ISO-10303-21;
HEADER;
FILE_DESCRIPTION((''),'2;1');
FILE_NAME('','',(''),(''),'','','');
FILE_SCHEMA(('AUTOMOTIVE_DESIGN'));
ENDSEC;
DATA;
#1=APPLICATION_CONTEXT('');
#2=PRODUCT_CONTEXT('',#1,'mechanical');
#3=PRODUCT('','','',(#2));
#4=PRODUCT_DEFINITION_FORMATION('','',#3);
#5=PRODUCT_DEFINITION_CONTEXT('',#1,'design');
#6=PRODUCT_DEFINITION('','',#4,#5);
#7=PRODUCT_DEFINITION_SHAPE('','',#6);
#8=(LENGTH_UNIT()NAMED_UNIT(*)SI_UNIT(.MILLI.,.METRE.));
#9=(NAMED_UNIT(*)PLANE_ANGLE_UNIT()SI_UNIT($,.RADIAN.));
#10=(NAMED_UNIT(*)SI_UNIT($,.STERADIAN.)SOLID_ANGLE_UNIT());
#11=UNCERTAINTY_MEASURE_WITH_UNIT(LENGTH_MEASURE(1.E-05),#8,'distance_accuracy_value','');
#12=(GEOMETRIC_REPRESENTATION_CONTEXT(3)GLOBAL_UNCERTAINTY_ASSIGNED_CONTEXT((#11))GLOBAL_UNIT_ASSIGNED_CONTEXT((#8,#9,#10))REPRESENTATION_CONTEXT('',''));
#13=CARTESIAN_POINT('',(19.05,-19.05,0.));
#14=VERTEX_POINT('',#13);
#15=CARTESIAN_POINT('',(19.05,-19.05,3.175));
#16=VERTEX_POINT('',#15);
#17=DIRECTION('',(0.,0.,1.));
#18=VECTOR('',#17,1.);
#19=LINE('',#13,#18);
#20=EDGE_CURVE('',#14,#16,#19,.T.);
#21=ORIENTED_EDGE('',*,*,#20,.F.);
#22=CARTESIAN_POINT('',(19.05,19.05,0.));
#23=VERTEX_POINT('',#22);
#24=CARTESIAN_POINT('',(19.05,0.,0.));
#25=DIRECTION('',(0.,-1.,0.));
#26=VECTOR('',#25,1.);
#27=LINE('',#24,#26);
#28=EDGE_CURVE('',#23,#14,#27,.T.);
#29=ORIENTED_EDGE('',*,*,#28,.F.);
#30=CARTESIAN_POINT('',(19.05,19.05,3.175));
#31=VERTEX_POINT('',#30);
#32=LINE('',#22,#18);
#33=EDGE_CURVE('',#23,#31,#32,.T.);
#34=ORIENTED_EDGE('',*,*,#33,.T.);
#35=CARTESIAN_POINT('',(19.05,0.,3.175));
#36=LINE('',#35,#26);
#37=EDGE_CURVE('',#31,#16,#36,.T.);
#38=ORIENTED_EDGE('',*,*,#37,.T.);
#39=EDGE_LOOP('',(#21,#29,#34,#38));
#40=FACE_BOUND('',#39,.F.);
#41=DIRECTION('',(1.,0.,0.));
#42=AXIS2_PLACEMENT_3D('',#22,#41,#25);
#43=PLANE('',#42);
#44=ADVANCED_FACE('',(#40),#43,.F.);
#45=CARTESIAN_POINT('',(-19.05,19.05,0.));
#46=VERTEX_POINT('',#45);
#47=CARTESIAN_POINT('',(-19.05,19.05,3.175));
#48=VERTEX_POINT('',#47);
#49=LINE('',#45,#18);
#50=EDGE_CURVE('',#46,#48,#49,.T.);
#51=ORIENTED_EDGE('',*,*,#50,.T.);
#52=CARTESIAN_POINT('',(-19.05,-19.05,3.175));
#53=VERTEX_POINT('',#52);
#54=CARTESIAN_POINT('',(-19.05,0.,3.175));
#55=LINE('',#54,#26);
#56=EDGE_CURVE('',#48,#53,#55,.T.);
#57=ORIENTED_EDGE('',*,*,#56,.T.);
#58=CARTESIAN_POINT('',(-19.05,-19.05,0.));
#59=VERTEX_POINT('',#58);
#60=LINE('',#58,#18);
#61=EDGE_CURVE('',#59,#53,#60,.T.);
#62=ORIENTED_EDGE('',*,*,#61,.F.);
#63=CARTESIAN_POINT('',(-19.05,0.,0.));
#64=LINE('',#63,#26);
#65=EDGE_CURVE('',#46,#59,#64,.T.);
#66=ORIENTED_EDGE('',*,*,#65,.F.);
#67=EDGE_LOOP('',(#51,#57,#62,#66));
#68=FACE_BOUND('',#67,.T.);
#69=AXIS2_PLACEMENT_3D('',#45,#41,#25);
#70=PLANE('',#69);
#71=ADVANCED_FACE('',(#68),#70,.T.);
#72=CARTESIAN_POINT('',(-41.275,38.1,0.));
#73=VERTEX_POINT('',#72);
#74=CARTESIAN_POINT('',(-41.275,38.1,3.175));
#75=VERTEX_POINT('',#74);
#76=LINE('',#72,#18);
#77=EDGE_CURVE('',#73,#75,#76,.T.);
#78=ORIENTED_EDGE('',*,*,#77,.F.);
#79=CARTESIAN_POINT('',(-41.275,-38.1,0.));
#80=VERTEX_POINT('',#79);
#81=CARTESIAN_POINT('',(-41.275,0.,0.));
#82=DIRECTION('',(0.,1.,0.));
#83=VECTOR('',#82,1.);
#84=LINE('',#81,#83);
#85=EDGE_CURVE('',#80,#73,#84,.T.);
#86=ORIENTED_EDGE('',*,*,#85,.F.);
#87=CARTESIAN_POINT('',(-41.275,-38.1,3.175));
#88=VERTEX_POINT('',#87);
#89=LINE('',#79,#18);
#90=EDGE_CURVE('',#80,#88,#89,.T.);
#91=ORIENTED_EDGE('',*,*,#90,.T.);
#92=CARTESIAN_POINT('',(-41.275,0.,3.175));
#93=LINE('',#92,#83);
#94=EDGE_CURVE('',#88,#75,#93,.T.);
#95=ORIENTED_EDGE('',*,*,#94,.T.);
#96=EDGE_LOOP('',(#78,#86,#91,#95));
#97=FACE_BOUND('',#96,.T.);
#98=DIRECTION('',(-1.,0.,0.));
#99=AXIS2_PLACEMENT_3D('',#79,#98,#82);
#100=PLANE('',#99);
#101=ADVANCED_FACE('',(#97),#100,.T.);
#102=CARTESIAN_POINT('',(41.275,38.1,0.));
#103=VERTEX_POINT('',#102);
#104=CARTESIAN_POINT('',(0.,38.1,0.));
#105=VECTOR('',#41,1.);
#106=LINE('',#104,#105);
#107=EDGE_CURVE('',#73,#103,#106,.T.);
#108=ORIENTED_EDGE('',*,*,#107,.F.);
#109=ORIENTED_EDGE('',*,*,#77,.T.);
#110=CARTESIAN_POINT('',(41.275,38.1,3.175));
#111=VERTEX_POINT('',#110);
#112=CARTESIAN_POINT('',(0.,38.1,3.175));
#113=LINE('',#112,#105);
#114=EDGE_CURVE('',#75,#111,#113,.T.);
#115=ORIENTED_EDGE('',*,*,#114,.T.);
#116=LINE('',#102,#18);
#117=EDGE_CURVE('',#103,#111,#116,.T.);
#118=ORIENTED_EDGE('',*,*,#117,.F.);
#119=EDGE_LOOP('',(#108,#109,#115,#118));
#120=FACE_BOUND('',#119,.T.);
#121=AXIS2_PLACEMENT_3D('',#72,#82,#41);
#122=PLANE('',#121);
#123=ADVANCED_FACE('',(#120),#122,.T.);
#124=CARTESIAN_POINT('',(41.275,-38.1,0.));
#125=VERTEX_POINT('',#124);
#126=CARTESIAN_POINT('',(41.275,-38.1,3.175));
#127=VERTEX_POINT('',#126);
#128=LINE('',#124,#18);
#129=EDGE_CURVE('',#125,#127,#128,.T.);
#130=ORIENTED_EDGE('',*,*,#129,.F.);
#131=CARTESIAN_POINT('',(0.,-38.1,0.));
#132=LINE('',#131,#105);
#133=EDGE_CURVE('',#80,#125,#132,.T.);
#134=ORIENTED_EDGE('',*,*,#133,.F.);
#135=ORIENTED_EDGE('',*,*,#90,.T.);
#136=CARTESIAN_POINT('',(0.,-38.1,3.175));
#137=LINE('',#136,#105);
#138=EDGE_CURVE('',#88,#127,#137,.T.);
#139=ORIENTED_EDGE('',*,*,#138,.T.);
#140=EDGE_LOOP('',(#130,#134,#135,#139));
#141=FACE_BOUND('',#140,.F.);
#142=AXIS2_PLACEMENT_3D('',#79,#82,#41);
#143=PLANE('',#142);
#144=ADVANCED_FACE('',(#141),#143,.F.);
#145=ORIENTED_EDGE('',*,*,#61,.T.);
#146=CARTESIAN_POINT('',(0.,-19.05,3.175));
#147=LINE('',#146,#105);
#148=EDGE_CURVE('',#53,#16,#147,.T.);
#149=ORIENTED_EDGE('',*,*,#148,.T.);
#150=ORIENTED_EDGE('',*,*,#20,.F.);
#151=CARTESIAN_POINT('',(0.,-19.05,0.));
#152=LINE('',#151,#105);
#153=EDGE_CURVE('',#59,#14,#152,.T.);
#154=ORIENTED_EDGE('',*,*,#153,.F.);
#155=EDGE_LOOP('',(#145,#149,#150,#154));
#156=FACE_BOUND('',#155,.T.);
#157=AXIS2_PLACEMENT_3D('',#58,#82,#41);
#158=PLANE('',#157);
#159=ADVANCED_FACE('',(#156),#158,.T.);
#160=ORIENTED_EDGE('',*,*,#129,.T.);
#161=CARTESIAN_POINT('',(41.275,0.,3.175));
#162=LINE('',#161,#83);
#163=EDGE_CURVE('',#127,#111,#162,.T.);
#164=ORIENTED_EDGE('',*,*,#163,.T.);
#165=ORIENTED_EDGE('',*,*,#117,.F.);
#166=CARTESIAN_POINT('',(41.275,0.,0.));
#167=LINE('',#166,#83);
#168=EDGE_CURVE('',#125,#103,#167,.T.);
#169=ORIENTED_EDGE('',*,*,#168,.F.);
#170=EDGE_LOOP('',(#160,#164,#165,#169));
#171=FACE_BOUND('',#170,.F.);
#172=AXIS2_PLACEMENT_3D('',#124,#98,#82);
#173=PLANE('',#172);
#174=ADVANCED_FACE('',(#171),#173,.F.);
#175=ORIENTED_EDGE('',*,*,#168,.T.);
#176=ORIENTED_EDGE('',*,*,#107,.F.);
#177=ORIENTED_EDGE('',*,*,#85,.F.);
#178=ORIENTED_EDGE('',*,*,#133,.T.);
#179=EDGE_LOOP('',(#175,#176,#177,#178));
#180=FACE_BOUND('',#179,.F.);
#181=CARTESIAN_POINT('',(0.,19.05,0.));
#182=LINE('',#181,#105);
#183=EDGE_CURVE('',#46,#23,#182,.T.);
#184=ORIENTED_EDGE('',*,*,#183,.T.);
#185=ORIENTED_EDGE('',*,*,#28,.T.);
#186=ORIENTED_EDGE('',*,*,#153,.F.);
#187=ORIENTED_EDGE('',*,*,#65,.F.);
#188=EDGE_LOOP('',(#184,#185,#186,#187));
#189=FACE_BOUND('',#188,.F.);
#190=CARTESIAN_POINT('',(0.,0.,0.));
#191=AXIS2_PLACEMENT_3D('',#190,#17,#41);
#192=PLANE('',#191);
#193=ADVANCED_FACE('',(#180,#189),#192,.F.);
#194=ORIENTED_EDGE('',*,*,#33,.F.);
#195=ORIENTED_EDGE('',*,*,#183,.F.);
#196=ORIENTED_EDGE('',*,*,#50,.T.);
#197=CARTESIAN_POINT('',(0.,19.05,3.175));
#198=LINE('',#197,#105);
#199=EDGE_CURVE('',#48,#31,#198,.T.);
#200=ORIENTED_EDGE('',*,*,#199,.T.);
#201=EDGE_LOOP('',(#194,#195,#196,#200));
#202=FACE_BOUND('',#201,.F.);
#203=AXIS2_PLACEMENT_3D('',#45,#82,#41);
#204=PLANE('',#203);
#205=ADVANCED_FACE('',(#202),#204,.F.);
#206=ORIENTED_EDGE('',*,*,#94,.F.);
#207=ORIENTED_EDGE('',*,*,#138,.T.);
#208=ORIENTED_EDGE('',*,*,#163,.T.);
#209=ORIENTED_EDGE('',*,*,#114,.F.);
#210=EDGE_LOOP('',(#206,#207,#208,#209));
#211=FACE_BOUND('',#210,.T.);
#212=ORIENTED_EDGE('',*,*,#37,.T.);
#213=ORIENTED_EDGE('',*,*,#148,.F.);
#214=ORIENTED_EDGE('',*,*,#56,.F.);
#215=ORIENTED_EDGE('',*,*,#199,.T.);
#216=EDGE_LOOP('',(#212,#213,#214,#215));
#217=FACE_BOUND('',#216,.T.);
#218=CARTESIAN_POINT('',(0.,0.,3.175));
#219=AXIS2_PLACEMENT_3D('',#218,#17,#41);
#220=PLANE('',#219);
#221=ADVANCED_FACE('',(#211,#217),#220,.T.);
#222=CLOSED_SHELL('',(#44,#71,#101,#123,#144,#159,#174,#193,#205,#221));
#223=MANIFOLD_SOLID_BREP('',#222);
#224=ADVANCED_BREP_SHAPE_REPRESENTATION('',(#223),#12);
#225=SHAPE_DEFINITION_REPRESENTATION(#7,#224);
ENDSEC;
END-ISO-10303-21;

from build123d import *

# Parameters (mm, degrees)
F0_W     = 82.55
F0_H     = 76.2
F1_DEPTH = 3.175
F2_W     = 38.1
F2_H     = 38.1
F3_DEPTH = 3.175


with BuildPart() as f1:
    # F0 (on Top) → F1 (new body)
    with BuildSketch(Plane.XY):
        Rectangle(F0_W, F0_H)
    extrude(amount=F1_DEPTH)

    # F2 (on face) → F3 (cut)
    with BuildSketch(Plane(origin=(0, 0, 0), x_dir=(1, 0, 0), z_dir=(0, 0, -1))):
        Rectangle(F2_W, F2_H)
    extrude(amount=-F3_DEPTH, mode=Mode.SUBTRACT)


solid = f1.part
